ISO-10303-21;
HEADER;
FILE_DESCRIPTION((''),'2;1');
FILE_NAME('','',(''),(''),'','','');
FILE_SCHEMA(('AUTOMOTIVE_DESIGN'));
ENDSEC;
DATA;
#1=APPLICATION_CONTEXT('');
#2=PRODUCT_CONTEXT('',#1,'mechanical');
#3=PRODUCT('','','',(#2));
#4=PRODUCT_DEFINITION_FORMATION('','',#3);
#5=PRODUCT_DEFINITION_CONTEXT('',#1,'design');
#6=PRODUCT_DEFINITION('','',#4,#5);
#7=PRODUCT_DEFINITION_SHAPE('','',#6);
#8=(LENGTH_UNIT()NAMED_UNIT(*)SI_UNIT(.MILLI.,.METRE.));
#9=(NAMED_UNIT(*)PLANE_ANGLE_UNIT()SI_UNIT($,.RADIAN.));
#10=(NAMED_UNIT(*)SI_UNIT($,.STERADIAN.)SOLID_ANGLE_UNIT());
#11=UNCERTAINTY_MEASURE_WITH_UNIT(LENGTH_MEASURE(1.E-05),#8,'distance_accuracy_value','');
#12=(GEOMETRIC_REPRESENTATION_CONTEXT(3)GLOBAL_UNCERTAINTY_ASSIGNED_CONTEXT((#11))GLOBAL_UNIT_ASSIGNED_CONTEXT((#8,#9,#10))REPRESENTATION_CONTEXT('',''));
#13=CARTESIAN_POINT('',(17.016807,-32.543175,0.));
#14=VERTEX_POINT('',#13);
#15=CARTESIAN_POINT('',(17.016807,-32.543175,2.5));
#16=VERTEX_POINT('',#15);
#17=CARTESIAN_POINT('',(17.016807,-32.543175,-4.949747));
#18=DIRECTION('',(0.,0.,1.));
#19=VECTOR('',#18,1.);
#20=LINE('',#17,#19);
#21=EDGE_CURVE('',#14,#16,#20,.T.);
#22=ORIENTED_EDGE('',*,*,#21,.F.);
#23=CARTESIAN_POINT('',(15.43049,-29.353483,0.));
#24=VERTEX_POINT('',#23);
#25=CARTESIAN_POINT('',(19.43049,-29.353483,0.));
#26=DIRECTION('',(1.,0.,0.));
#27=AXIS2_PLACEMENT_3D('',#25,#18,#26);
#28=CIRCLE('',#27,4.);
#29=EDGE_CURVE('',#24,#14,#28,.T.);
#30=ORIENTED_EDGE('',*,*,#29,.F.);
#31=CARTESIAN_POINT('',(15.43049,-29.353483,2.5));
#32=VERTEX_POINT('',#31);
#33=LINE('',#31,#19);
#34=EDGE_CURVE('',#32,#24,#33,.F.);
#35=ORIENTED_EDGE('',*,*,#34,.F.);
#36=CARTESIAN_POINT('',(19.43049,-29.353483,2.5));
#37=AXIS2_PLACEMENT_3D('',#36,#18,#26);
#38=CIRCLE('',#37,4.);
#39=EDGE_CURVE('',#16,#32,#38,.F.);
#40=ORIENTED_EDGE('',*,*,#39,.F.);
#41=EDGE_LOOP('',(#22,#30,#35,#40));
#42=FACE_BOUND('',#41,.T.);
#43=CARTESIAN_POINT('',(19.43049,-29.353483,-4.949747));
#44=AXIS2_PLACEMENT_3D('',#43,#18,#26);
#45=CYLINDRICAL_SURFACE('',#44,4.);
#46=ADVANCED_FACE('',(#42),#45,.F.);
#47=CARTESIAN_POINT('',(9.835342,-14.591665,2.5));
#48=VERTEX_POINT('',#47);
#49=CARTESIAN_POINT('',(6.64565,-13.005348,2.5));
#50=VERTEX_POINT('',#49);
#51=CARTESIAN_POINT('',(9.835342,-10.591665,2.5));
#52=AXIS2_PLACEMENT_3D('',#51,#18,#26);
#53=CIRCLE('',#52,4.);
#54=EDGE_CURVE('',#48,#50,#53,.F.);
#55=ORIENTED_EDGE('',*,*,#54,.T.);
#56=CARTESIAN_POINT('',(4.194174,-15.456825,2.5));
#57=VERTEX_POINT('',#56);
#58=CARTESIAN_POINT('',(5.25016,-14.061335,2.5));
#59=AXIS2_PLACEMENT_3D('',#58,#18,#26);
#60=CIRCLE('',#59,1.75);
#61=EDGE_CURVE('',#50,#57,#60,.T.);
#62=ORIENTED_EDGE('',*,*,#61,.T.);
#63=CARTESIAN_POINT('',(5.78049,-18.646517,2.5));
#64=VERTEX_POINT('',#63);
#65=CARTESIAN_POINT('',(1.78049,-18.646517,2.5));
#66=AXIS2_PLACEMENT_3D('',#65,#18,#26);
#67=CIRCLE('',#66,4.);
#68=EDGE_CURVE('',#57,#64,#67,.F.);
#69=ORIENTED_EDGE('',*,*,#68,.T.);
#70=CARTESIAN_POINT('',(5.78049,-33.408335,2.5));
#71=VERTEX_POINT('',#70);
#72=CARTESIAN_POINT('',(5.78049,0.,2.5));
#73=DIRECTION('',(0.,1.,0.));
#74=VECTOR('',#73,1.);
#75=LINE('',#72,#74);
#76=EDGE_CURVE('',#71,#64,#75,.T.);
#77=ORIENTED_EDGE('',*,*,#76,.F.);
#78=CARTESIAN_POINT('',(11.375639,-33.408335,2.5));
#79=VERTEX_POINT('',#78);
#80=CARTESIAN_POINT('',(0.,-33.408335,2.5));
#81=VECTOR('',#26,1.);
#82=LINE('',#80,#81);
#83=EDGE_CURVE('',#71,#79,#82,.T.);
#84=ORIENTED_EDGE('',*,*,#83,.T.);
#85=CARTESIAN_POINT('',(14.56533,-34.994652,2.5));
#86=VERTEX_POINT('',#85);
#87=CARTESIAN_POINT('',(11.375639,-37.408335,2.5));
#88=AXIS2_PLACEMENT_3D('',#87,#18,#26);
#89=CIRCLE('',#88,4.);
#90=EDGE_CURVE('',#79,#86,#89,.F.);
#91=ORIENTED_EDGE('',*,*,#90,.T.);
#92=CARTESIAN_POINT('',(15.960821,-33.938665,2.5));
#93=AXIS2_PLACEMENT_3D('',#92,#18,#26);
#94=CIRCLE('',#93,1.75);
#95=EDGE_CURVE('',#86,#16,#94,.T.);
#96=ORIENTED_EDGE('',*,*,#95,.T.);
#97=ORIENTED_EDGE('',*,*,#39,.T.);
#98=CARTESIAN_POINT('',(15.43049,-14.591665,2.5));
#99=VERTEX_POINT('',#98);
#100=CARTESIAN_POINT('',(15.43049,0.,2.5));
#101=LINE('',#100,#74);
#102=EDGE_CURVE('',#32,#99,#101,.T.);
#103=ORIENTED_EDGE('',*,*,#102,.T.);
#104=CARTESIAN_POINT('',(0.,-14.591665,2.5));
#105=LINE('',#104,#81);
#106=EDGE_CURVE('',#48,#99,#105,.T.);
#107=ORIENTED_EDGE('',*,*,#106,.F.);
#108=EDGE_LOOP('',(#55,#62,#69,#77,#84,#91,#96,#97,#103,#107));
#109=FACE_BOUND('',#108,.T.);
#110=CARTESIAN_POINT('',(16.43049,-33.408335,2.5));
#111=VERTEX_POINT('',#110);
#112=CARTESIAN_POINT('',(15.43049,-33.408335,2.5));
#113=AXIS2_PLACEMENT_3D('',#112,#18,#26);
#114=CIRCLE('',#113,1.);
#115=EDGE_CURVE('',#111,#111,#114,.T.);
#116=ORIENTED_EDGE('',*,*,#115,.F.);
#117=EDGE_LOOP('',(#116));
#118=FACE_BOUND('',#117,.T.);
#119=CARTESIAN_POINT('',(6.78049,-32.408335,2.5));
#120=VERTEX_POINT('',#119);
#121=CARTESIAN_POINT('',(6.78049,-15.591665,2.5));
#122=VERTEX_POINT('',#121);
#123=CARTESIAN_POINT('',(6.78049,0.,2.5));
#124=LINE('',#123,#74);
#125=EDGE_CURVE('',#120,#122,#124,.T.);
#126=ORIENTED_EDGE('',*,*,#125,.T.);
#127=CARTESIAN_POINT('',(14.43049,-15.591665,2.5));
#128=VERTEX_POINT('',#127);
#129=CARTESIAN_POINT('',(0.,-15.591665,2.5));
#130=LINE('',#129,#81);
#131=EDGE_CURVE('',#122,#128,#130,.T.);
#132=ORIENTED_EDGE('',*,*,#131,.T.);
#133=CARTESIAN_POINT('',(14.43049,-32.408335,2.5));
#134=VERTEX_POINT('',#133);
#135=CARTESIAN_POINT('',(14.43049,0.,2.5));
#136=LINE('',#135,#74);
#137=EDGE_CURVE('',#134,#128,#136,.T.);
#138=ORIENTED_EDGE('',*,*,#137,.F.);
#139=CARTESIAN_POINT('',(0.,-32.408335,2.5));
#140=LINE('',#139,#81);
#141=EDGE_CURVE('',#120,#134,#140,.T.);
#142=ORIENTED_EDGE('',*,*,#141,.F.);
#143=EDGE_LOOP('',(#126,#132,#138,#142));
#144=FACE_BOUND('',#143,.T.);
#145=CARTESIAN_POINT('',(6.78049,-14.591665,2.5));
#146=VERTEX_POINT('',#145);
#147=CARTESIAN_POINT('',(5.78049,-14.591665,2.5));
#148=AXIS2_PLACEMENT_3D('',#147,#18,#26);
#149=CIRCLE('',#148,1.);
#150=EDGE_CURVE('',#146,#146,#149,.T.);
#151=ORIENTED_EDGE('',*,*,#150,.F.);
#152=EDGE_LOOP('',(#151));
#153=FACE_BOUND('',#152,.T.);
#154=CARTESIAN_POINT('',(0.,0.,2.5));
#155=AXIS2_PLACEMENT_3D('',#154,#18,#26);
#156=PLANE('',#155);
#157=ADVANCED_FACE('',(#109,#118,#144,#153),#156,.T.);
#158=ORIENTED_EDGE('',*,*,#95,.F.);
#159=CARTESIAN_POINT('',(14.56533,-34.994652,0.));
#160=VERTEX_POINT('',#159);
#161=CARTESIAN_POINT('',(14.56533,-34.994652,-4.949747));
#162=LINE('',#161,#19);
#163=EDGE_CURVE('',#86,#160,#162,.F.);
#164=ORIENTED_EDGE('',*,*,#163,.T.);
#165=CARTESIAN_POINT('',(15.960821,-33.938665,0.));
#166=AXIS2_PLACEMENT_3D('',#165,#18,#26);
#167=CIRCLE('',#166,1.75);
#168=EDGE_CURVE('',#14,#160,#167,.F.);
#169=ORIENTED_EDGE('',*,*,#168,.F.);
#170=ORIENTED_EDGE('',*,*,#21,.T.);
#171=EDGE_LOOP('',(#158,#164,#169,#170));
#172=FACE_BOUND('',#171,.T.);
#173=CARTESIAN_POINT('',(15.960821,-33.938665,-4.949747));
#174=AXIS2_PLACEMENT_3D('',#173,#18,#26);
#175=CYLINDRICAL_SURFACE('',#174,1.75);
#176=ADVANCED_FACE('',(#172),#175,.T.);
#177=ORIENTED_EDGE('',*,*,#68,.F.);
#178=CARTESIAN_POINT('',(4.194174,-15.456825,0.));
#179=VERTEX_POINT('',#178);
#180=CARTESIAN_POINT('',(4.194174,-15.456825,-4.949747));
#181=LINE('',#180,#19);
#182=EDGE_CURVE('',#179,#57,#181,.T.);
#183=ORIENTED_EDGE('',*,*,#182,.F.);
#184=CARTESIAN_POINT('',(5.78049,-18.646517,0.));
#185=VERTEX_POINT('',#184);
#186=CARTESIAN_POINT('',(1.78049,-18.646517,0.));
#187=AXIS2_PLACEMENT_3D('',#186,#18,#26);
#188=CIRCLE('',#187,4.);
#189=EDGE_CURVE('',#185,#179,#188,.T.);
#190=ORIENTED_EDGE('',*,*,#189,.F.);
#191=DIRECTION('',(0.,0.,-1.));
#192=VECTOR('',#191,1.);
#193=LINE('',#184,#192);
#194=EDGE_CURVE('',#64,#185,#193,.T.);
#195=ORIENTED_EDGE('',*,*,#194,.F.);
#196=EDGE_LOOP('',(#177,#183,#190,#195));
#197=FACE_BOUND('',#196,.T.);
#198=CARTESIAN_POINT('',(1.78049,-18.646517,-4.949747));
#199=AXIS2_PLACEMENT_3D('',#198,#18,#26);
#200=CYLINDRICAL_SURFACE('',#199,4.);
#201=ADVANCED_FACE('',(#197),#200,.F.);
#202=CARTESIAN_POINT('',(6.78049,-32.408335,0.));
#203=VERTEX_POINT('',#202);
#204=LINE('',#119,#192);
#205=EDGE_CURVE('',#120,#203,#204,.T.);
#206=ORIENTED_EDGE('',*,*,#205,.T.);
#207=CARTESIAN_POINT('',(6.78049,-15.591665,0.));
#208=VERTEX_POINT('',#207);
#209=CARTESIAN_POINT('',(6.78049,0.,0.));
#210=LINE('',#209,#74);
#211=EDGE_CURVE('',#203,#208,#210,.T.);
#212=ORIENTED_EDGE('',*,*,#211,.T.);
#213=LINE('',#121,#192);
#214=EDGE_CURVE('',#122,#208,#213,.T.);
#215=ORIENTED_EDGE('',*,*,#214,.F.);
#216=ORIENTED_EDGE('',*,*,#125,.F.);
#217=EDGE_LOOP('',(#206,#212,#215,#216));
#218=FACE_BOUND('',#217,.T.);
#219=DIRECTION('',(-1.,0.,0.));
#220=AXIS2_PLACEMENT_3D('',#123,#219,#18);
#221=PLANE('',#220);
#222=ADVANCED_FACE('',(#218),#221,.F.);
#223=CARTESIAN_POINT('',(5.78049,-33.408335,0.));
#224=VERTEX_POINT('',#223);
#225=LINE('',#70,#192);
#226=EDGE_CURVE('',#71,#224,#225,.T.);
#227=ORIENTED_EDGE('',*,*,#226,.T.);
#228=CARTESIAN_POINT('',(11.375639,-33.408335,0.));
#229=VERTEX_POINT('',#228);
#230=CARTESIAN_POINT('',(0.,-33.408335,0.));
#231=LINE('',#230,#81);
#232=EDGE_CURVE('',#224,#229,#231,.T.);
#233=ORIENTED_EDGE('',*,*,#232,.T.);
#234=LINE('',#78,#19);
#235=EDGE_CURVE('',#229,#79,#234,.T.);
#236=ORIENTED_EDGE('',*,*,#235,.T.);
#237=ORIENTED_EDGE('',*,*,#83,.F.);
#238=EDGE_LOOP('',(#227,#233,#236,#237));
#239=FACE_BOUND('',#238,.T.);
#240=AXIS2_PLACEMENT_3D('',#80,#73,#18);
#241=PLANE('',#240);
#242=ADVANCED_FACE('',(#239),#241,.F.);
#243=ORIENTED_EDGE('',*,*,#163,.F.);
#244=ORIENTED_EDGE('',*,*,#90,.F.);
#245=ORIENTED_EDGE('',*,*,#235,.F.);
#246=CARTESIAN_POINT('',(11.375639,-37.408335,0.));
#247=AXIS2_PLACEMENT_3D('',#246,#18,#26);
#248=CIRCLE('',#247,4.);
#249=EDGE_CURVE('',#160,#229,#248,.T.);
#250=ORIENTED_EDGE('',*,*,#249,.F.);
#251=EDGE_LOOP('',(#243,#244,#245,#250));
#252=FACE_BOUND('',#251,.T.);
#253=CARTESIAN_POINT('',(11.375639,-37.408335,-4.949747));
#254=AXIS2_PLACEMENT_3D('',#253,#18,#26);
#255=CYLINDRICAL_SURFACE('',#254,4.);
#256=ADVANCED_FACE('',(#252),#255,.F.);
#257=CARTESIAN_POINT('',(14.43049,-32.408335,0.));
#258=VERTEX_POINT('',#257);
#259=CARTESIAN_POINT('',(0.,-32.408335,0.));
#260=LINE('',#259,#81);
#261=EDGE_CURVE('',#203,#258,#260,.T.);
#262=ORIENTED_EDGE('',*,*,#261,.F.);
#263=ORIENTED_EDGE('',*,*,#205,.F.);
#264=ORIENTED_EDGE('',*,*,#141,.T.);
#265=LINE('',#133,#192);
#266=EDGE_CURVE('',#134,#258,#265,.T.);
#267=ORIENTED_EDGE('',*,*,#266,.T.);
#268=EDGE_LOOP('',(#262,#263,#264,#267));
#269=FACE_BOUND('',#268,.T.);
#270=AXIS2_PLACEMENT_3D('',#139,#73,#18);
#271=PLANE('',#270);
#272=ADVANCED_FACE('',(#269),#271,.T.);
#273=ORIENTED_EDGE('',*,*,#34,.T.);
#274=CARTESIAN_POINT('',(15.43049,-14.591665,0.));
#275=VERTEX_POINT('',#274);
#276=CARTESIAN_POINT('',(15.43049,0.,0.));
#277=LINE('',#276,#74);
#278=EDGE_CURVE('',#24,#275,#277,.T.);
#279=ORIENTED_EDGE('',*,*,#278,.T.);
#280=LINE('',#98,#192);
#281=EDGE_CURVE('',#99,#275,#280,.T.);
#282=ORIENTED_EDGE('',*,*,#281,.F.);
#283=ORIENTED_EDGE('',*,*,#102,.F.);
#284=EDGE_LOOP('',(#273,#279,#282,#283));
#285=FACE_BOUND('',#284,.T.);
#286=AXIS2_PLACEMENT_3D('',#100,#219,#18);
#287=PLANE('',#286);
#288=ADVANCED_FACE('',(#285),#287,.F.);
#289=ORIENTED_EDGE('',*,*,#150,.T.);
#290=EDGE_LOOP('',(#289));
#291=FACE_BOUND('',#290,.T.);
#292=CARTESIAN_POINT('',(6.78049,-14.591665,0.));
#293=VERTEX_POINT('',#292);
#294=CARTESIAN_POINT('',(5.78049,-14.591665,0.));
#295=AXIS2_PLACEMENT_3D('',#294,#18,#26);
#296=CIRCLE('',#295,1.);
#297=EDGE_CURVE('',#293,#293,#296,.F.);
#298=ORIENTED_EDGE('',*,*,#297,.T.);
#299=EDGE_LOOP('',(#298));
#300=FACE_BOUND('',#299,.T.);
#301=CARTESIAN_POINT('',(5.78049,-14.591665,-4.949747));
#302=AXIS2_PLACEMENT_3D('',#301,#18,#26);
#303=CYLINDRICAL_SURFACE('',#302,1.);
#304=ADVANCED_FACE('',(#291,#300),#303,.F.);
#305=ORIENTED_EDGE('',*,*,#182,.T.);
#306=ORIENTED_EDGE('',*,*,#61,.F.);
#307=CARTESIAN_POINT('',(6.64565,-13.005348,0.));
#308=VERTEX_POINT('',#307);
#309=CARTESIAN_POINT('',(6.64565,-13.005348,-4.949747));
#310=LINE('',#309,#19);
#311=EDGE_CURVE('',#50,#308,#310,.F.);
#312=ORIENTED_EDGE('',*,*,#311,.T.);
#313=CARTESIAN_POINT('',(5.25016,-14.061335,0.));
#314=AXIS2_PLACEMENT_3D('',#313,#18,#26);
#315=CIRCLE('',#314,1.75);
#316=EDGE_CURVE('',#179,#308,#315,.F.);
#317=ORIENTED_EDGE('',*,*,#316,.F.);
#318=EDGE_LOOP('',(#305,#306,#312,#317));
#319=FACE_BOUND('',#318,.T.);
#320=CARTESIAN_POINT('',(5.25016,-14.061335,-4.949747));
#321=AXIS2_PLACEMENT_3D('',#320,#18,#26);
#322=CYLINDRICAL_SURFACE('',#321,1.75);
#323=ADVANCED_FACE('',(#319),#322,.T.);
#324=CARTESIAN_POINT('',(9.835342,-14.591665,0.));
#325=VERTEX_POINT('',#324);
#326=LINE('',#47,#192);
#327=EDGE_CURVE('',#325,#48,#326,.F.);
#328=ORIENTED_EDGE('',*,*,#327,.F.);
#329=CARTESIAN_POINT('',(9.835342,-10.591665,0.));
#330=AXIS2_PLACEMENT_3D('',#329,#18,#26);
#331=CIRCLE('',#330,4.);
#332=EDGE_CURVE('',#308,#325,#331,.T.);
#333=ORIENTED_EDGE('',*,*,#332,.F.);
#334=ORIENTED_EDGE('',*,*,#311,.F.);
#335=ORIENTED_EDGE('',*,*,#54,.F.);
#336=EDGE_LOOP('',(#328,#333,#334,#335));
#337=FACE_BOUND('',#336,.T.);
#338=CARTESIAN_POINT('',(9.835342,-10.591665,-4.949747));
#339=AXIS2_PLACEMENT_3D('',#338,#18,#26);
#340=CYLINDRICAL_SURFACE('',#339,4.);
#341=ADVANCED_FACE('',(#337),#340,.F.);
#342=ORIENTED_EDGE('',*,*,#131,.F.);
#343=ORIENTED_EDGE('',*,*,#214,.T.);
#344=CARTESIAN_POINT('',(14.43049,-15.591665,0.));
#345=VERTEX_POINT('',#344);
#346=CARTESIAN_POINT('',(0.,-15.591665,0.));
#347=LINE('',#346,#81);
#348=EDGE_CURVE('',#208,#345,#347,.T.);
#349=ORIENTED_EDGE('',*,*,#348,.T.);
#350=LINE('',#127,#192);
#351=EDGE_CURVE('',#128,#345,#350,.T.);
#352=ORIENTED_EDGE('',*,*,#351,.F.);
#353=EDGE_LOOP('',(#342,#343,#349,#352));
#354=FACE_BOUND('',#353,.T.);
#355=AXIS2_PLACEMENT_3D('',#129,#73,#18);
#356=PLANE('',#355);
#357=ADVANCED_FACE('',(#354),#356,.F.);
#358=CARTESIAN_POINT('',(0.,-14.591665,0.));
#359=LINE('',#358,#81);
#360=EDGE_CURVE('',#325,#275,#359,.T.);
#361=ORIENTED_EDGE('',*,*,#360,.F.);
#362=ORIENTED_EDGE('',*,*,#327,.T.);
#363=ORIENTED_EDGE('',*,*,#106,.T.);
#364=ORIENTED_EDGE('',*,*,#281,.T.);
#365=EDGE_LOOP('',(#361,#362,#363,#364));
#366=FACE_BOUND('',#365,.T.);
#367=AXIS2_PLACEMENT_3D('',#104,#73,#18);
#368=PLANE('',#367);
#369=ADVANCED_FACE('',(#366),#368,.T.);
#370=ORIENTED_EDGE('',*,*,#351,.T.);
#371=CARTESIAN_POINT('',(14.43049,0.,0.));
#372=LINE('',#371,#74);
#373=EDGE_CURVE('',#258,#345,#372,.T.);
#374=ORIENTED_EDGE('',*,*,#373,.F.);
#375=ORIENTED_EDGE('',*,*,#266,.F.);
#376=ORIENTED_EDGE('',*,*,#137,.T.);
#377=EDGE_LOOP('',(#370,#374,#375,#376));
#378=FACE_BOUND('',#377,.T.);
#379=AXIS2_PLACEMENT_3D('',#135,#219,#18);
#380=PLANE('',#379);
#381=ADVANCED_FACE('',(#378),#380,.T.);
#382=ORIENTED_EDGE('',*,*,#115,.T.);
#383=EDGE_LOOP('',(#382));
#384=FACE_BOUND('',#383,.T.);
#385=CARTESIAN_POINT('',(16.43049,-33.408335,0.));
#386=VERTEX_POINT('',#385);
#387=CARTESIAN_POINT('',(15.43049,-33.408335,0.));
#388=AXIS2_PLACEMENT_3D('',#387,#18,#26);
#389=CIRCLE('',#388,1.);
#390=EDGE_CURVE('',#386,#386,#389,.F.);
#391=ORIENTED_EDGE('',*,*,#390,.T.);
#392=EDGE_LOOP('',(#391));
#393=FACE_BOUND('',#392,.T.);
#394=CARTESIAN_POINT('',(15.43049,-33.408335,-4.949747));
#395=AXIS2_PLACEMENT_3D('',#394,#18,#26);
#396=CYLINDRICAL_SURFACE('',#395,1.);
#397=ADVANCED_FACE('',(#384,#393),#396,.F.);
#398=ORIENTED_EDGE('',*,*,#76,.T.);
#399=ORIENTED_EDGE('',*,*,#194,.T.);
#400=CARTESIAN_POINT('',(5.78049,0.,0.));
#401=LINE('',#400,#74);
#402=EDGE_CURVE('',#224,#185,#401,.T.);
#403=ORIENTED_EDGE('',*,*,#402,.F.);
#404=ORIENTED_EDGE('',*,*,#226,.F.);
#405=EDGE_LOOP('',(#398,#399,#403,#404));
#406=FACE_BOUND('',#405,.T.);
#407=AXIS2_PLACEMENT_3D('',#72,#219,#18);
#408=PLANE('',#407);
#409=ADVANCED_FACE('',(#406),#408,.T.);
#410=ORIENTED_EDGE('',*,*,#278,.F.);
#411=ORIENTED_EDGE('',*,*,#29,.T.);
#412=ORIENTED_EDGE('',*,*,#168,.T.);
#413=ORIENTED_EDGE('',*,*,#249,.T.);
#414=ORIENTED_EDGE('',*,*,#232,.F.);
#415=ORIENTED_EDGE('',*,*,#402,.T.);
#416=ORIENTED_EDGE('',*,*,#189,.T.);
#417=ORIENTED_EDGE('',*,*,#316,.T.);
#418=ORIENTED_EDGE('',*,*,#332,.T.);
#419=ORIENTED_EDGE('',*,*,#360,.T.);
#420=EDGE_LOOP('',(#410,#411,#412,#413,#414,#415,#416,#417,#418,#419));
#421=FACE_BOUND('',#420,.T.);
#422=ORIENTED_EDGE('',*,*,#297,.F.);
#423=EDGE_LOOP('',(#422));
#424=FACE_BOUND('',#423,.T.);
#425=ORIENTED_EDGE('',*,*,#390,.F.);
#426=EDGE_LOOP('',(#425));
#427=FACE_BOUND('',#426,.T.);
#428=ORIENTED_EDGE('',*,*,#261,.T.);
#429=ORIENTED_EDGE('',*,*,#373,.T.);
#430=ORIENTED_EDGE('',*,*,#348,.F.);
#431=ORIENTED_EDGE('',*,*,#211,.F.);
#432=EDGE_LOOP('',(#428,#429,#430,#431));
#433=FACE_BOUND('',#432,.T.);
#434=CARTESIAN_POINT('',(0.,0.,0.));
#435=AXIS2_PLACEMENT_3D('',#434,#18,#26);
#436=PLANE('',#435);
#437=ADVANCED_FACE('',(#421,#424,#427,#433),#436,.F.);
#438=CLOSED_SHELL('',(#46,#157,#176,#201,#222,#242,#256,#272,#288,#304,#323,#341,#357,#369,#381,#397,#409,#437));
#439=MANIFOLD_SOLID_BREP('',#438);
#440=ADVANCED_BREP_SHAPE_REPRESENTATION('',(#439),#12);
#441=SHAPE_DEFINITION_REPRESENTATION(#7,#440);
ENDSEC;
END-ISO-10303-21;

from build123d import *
from build123d.topology import SkipClean

# Parameters (mm, degrees)
SKETCH3_W           = 9.65
SKETCH3_H           = 18.81667
SKETCH3_W_2         = 7.65
SKETCH3_H_2         = 16.81667
EXTRUDE_THIN1_DEPTH = 2.5
BOSS_EXTRUDE2_DEPTH = 2.5
CUT_EXTRUDE1_DEPTH  = 2.5
FILLET1_R           = 4


with BuildPart() as part:
    # Sketch3 → Extrude-Thin1 (new body)
    with BuildSketch(Plane.XY):
        with Locations((10.605490461, -24)):
            Rectangle(SKETCH3_W, SKETCH3_H)
        with Locations((10.605490461, -24)):
            Rectangle(SKETCH3_W_2, SKETCH3_H_2, mode=Mode.SUBTRACT)
    extrude(amount=EXTRUDE_THIN1_DEPTH)

    # Sketch4 → Boss-Extrude2 (add)
    with BuildSketch(Plane.XY.offset(2.5)):
        with BuildLine():
            ThreePointArc((5.780490461, -15.591665), (5.07338368, -13.884558219), (6.780490461, -14.591665))
            Line((6.780490461, -14.591665), (6.917868383, -14.591665))
            ThreePointArc((6.917868383, -14.591665), (6.979465006, -14.329673307), (7.000160375, -14.061334914))
            ThreePointArc((7.000160375, -14.061334914), (3.837613447, -13.02827578), (5.780490461, -15.729042922))
            Line((5.780490461, -15.729042922), (5.780490461, -15.591665))
        make_face()
        with BuildLine():
            ThreePointArc((17.710820547, -33.938665086), (16.993879681, -32.526118157), (15.430490461, -32.270957078))
            Line((15.430490461, -32.270957078), (15.430490461, -32.408335))
            ThreePointArc((15.430490461, -32.408335), (16.137597242, -32.701228219), (16.430490461, -33.408335))
            ThreePointArc((16.430490461, -33.408335), (15.430490461, -34.408335), (14.430490461, -33.408335))
            Line((14.430490461, -33.408335), (14.293112539, -33.408335))
            ThreePointArc((14.293112539, -33.408335), (15.692482154, -35.667969717), (17.710820547, -33.938665086))
        make_face()
    extrude(amount=-BOSS_EXTRUDE2_DEPTH)

    # Sketch4<2> → Cut-Extrude1 (cut)
    with SkipClean():  # the faces are left unmerged after this step: merging them gives an invalid solid
        with BuildSketch(Plane.XY.offset(2.5)):
            with BuildLine():
                Line((5.780490461, -14.591665), (6.780490461, -14.591665))
                ThreePointArc((6.780490461, -14.591665), (5.07338368, -13.884558219), (5.780490461, -15.591665))
                Line((5.780490461, -15.591665), (5.780490461, -14.591665))
            make_face()
            with BuildLine():
                ThreePointArc((6.487597245, -15.298771778), (6.704369994, -14.97434843), (6.780490461, -14.591665))
                Line((6.780490461, -14.591665), (5.780490461, -14.591665))
                Line((5.780490461, -14.591665), (5.780490461, -15.591665))
                ThreePointArc((5.780490461, -15.591665), (6.163173895, -15.515544532), (6.487597245, -15.298771778))
            make_face()
            with BuildLine():
                ThreePointArc((15.430490461, -32.408335), (15.047807029, -32.484455467), (14.72338368, -32.701228219))
                ThreePointArc((14.72338368, -32.701228219), (14.506610928, -33.025651568), (14.430490461, -33.408335))
                Line((14.430490461, -33.408335), (15.430490461, -33.408335))
                Line((15.430490461, -33.408335), (15.430490461, -32.408335))
            make_face()
            with BuildLine():
                ThreePointArc((16.430490461, -33.408335), (16.137597242, -32.701228219), (15.430490461, -32.408335))
                Line((15.430490461, -32.408335), (15.430490461, -33.408335))
                Line((15.430490461, -33.408335), (14.430490461, -33.408335))
                ThreePointArc((14.430490461, -33.408335), (15.430490461, -34.408335), (16.430490461, -33.408335))
            make_face()
        extrude(amount=-CUT_EXTRUDE1_DEPTH, mode=Mode.SUBTRACT)

    # Fillet1
    fillet1_edges = [part.edges().sort_by_distance(p)[0] for p in [
        (6.917868383, -14.591665, 1.25),
        (5.780490461, -15.729042922, 1.25),
        (14.293112539, -33.408335, 1.25),
        (15.430490461, -32.270957078, 1.25),
    ]]
    fillet(fillet1_edges, radius=FILLET1_R)


solid = part.part
